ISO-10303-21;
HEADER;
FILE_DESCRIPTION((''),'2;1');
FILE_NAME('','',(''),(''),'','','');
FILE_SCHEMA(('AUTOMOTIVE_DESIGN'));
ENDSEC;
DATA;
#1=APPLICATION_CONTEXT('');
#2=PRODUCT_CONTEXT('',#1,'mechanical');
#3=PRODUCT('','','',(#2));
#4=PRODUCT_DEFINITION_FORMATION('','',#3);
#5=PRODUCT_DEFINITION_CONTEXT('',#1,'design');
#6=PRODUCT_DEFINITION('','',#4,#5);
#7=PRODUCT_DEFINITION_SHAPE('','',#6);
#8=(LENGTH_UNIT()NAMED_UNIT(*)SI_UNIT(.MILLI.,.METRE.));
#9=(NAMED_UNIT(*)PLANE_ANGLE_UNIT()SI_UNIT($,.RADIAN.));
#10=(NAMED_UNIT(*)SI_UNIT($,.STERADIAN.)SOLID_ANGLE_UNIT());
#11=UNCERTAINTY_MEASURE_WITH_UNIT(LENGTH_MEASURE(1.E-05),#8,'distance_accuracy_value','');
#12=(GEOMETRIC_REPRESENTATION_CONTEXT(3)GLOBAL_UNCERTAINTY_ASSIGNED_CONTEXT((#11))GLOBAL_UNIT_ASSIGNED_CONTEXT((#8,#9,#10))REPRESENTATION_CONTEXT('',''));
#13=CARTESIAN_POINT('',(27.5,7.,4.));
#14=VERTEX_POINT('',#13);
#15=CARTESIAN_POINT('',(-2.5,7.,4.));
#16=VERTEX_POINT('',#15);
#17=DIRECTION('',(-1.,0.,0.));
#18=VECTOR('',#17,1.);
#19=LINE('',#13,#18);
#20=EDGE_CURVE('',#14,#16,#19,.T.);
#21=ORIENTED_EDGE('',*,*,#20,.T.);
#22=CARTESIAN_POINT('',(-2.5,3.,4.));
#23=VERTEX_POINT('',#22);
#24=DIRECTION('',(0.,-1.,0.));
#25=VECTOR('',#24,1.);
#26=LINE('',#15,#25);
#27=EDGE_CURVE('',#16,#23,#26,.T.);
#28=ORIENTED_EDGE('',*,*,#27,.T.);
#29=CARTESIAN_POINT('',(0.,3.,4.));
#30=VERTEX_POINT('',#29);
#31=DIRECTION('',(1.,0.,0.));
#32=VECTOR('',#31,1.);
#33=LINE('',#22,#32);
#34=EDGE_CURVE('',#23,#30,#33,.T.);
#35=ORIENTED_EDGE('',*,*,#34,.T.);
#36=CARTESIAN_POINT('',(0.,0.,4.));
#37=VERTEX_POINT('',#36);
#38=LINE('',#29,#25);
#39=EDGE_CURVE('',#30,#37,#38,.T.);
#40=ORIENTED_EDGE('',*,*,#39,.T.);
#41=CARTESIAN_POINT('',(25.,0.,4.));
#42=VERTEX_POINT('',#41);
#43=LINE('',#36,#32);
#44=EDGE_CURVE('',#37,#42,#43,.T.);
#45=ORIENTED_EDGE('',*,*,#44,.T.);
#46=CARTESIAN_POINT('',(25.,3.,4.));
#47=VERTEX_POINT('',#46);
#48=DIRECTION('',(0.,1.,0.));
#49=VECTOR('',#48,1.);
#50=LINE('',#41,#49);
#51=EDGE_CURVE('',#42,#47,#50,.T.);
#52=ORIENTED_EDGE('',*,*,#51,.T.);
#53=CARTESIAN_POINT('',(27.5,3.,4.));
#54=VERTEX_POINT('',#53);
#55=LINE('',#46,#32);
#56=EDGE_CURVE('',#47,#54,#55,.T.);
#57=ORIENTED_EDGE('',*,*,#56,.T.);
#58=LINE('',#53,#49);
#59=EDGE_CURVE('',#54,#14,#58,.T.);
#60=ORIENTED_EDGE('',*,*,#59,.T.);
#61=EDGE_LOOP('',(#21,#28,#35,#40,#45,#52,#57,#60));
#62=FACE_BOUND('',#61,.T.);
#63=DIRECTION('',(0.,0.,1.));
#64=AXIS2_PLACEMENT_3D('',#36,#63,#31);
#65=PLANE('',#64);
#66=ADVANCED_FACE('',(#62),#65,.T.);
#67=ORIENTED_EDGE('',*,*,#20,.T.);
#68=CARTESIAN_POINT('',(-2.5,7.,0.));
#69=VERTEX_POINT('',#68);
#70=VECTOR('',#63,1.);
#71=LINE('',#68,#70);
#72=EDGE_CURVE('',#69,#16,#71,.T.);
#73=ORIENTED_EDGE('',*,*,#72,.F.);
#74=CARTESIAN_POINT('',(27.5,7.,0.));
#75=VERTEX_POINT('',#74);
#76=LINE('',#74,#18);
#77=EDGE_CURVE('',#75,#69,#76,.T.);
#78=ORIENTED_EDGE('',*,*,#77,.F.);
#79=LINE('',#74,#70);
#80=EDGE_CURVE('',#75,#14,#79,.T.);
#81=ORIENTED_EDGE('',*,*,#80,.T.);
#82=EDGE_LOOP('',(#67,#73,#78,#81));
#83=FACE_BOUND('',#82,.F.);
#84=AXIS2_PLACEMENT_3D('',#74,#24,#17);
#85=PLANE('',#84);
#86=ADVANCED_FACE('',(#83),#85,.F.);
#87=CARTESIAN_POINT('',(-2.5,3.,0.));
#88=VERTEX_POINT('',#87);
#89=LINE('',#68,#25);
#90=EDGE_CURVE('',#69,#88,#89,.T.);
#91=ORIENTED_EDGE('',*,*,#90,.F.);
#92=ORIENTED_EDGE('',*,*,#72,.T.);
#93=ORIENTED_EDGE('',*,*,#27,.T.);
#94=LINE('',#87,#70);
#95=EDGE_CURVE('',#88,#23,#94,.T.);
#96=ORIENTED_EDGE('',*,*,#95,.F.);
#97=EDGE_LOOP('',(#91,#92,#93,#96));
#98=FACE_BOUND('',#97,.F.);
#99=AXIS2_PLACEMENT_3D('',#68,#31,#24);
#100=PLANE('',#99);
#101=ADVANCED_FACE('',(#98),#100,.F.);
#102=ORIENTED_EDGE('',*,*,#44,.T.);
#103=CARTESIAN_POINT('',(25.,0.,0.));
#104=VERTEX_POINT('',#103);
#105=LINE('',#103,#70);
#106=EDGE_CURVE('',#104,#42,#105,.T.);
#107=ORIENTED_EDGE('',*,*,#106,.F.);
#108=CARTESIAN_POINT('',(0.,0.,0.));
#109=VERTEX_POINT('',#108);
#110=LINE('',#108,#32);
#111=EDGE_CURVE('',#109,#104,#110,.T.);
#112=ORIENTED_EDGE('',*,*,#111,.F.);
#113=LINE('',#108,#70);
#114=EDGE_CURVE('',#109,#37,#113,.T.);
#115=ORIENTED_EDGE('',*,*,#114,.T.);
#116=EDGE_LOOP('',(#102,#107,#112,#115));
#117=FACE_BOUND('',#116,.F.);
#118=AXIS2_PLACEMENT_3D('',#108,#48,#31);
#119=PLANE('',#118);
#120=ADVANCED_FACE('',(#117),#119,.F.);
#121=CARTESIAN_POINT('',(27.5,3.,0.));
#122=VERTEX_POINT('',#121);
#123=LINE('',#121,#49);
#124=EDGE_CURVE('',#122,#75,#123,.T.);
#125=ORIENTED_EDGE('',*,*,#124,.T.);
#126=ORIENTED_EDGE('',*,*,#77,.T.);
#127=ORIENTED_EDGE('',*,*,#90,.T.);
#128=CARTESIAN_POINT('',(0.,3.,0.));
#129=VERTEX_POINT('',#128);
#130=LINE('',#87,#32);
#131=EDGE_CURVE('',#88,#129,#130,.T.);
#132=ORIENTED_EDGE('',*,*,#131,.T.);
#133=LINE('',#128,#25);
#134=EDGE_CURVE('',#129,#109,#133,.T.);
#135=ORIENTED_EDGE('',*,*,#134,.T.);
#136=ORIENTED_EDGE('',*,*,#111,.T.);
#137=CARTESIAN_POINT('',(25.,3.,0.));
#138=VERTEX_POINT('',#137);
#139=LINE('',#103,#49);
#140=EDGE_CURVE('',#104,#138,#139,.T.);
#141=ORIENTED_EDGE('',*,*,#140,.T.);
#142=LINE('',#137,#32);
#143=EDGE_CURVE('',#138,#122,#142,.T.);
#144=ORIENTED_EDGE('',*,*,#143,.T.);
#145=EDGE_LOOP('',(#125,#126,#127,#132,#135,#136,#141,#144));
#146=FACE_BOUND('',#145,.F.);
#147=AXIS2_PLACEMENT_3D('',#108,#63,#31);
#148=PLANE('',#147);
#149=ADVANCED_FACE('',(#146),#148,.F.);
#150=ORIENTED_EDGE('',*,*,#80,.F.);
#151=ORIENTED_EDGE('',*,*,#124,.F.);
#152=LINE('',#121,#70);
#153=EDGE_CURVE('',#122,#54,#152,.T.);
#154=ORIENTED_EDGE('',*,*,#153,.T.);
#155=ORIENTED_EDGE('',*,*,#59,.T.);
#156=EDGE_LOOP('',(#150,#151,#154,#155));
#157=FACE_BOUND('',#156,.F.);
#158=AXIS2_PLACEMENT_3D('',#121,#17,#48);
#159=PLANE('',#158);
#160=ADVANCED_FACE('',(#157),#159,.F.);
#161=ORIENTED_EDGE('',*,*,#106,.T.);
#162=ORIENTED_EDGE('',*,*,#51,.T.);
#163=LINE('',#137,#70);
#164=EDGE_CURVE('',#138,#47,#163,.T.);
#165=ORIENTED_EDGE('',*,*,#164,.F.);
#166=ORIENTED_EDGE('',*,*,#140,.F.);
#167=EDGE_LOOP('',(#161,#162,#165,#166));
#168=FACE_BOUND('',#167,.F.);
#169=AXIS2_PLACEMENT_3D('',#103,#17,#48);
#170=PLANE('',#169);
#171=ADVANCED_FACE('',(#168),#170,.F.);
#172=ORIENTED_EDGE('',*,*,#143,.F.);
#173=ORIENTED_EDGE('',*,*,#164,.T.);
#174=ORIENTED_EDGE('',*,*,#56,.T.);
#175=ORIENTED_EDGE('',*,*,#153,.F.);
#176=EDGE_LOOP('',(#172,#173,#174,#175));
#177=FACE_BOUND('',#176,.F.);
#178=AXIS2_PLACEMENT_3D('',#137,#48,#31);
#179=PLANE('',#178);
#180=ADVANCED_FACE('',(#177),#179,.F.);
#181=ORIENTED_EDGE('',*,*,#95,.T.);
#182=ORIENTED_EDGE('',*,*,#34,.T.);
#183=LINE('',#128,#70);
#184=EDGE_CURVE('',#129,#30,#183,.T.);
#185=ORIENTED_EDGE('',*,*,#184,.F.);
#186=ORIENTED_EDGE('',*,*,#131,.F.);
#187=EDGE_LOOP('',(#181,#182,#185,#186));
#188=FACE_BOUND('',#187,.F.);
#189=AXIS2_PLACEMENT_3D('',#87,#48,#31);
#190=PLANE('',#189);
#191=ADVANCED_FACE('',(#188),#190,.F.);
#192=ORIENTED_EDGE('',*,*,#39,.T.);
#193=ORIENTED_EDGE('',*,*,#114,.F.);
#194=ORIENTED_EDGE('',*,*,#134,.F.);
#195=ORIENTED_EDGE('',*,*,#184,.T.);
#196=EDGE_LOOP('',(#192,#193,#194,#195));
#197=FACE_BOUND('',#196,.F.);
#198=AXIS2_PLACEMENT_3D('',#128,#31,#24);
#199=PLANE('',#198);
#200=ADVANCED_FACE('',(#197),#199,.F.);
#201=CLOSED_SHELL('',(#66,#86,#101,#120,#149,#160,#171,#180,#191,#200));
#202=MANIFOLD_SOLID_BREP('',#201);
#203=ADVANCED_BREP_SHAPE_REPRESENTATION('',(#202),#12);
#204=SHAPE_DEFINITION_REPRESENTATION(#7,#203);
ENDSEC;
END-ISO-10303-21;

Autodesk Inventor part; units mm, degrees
ref_plane "YZ Plane" through (0, 0, 0) normal (1, 0, 0) x (0, 1, 0)
ref_plane "XZ Plane" through (0, 0, 0) normal (0, 1, 0) x (-1, 0, 0)
ref_plane "XY Plane" through (0, 0, 0) normal (0, 0, 1) x (1, 0, 0)
sketch "Boceto1" plane through (0, 0, 0) normal (0, 0, 1) x (1, 0, 0)
  line L0 (0, 0) -> (25, 0)
  line L1 (25, 0) -> (25, 3)
  line L2 (25, 3) -> (27.5, 3)
  line L3 (27.5, 3) -> (27.5, 7)
  line L4 (27.5, 7) -> (-2.5, 7)
  line L5 (-2.5, 7) -> (-2.5, 3)
  line L6 (-2.5, 3) -> (0, 3)
  line L7 (0, 3) -> (0, 0)
  dimension "d0" = 25
  dimension "d1" = 3
  dimension "d2" = 2.5
  dimension "d3" = 4
  dimension "d4" = 30
extrude "Extrusión1" add sketch "Boceto1" along normal blind 4
properties part number "Aletas plato base"
